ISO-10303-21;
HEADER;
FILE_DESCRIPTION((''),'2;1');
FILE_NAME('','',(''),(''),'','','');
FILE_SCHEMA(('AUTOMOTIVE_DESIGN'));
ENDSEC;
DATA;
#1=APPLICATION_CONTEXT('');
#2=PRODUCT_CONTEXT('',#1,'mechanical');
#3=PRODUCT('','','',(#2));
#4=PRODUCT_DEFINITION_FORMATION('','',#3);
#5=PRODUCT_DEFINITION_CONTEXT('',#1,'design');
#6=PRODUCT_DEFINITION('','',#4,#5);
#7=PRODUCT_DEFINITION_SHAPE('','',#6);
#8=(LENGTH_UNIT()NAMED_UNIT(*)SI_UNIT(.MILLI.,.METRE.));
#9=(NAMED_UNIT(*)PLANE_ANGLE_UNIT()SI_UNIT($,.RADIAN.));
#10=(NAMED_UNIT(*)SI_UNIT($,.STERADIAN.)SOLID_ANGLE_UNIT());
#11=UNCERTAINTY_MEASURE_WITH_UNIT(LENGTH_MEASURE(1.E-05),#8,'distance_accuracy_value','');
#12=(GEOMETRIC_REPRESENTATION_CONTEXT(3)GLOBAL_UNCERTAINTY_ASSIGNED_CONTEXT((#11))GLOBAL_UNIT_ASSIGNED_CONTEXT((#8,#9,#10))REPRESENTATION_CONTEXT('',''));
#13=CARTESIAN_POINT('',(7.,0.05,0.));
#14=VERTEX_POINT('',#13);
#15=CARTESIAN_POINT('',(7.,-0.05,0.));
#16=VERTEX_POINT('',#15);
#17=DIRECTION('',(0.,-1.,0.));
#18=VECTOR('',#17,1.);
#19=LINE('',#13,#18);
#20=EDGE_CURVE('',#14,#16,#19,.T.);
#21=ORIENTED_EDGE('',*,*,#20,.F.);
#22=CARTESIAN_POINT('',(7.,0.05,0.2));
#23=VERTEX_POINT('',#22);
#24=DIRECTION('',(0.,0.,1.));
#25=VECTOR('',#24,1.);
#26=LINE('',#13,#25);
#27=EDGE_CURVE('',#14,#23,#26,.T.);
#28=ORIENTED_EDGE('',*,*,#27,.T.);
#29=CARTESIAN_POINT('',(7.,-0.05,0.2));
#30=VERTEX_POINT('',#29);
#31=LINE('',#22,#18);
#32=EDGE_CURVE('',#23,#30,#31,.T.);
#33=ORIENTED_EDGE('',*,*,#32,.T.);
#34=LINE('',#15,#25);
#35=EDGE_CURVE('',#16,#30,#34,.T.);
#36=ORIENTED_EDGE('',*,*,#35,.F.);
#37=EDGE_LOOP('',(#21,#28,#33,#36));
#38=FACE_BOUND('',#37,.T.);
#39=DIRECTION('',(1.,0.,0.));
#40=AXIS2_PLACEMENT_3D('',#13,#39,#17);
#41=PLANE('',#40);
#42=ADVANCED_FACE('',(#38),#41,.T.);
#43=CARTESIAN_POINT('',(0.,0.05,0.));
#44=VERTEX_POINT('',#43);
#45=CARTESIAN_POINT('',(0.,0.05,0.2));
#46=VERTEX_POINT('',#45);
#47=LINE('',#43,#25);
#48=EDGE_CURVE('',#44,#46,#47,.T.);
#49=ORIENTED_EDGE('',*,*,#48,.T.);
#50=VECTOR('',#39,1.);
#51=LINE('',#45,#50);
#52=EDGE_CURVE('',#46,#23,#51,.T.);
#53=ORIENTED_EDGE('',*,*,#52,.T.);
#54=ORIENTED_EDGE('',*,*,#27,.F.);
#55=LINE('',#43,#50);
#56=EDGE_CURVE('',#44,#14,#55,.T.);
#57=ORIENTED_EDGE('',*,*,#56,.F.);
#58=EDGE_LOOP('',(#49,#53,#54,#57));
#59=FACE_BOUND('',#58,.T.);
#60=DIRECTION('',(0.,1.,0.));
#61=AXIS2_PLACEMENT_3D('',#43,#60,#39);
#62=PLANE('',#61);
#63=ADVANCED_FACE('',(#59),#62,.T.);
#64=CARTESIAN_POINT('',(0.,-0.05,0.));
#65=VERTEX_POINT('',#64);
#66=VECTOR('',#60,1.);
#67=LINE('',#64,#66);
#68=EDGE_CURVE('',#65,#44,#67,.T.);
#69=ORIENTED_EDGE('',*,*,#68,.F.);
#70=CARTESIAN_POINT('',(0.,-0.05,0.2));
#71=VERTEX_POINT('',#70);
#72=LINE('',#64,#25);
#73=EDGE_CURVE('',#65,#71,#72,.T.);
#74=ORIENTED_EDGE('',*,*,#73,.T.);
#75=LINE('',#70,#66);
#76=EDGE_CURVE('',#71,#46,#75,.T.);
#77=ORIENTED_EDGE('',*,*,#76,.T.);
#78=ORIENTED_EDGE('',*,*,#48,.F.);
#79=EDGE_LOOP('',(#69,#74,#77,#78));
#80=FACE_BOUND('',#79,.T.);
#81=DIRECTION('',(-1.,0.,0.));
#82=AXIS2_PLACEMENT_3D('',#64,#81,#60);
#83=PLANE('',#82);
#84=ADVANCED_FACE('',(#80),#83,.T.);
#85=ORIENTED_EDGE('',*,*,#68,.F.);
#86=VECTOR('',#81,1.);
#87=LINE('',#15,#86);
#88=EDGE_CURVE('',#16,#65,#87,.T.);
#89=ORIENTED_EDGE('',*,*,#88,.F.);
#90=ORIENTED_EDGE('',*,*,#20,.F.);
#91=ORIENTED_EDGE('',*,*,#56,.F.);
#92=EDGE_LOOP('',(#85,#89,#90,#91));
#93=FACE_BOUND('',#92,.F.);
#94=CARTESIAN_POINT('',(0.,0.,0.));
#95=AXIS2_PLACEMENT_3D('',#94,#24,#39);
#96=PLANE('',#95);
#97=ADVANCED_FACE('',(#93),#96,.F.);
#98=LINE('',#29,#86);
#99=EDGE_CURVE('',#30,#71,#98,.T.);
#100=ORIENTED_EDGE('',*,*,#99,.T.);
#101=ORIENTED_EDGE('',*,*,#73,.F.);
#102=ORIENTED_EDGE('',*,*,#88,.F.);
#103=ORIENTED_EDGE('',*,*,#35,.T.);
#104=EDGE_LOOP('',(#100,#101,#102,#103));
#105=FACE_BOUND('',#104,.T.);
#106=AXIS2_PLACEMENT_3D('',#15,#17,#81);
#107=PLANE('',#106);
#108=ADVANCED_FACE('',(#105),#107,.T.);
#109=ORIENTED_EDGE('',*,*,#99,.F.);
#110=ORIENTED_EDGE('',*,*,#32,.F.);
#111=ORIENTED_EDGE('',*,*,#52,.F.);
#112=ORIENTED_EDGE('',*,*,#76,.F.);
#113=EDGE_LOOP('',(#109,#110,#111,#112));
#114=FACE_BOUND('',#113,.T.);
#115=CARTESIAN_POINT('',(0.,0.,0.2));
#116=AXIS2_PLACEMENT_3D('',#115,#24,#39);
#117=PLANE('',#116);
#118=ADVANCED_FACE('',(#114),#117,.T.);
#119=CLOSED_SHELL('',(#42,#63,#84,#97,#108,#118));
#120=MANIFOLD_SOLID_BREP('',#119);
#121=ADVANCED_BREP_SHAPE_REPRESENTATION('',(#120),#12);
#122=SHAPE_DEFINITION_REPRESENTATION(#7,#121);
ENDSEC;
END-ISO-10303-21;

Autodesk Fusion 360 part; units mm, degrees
sketch "Sketch1" plane through (0, 0, 0) normal (0, 0, 1) x (1, 0, 0)
  line L0 (0, 0.05) -> (7, 0.05)
  line L1 (7, 0.05) -> (7, -0.05)
  line L2 (7, -0.05) -> (0, -0.05)
  line L3 (0, -0.05) -> (0, 0.05)
  dimension "d27" = 7
  dimension "d28" = 0.1
extrude "Extrude2" add sketch "Sketch1" along normal blind 0.2
equation "d1000 = channelwidth"
equation "d1001 = depth"
equation "channelwidth = 0.1 mm" comment "User edit"
equation "depth = 0.2 mm"
equation "length = 7 mm"
equation "d27 = length"
equation "d28 = channelwidth"
